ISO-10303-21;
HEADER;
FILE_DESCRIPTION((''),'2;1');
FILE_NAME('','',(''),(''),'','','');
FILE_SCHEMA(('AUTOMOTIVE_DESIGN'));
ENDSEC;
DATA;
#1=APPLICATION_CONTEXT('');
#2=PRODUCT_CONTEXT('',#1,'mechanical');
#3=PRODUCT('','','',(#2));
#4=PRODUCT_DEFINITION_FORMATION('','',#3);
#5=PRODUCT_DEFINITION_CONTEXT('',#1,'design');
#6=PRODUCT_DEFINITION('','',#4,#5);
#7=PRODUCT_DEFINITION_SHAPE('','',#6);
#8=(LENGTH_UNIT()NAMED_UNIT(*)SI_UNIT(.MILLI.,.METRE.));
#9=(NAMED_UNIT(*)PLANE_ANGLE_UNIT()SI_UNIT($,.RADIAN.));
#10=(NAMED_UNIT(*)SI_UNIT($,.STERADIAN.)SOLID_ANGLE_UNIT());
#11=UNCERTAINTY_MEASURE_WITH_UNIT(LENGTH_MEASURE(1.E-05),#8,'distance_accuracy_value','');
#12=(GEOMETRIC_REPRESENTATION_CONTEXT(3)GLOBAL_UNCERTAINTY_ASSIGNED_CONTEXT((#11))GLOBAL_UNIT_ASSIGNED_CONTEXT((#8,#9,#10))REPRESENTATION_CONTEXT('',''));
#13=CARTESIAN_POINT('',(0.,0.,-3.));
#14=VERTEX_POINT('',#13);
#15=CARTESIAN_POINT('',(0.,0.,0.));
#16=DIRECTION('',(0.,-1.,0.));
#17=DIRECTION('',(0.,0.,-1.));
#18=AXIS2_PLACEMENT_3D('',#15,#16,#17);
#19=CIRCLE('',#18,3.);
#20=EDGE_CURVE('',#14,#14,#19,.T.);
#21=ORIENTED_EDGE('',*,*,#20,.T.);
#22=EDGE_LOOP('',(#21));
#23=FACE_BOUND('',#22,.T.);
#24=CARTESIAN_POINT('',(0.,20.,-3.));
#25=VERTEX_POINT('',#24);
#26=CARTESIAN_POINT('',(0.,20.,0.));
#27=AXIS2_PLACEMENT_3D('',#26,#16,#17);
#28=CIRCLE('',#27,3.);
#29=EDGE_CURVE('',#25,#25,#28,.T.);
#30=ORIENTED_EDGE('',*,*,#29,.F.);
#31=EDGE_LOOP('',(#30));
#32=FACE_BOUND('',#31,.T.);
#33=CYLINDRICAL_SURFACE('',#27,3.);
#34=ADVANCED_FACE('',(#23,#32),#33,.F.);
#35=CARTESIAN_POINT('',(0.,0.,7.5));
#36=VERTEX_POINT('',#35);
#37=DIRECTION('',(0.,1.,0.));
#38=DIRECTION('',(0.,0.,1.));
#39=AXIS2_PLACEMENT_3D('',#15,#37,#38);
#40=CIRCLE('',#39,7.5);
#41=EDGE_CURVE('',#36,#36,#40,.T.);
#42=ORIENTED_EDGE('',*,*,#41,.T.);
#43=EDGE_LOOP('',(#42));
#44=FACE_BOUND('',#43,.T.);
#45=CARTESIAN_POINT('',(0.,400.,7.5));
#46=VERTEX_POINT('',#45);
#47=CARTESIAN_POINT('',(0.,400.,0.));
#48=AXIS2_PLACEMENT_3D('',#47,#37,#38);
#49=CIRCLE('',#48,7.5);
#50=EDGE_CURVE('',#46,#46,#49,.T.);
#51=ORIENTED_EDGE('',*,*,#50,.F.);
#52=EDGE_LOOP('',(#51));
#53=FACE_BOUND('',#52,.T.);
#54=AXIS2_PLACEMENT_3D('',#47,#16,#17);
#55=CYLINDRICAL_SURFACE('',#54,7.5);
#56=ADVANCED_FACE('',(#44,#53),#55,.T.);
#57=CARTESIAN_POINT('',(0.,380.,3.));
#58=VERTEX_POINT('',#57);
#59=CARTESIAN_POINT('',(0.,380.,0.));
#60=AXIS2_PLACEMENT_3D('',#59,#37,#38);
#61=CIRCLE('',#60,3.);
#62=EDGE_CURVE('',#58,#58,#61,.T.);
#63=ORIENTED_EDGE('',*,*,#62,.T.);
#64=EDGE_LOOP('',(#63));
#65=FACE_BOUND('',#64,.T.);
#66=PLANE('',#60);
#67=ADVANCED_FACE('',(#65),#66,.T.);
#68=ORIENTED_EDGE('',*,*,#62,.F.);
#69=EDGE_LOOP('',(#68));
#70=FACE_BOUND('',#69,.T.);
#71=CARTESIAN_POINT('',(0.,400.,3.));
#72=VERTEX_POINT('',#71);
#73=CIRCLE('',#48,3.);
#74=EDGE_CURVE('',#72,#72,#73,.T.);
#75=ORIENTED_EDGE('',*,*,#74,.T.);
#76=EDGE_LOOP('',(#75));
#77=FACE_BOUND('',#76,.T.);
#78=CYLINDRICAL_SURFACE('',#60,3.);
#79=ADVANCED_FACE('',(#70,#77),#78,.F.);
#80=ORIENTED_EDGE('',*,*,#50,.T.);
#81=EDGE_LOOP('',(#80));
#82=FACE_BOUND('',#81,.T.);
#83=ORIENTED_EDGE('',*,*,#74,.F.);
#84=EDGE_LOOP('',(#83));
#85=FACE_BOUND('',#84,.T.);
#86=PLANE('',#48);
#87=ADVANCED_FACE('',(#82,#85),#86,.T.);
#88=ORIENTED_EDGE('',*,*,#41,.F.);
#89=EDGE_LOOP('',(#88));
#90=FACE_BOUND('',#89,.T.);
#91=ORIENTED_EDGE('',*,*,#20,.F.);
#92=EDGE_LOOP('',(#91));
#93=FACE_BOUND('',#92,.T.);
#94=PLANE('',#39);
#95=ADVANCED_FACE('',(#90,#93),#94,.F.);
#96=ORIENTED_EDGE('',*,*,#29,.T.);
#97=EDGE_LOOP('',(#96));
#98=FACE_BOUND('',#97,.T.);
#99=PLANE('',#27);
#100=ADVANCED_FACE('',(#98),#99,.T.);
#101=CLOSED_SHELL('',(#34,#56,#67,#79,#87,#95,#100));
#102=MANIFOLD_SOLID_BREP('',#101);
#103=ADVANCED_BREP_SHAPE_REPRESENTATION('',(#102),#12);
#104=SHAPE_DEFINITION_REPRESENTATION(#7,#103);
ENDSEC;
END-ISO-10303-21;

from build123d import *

# Parameters (mm, degrees)
SKETCH_1_R          = 7.5
EXTRUDE_1_DEPTH     = 400
SKETCH_2_R          = 3
CUT_EXTRUDE_1_DEPTH = 20
CUT_EXTRUDE_START   = -20
SKETCH_3_R          = 3
CUT_EXTRUDE_2_DEPTH = 20


with BuildPart() as part:
    # 草图1 → 凸台-拉伸1 (new body)
    with BuildSketch(Plane(origin=(0, 0, 0), x_dir=(1, 0, 0), z_dir=(0, 1, 0))):
        with Locations(Location((0, 0, 0), (0, 0, 270))):
            Circle(SKETCH_1_R)
    extrude(amount=EXTRUDE_1_DEPTH)

    # 草图2 → 切除-拉伸1 (cut)
    with BuildSketch(Plane(origin=(0, 400, 0), x_dir=(1, 0, 0), z_dir=(0, 1, 0))):
        with Locations(Location((0, 0, 0), (0, 0, 270))):
            Circle(SKETCH_2_R)
    extrude(amount=-CUT_EXTRUDE_1_DEPTH, mode=Mode.SUBTRACT)

    # 草图3 → 切除-拉伸2 (cut)
    with BuildSketch(Plane(origin=(0, 0, 0), x_dir=(-1, 0, 0), z_dir=(0, -1, 0)).offset(CUT_EXTRUDE_START)):
        with Locations(Location((0, 0, 0), (0, 0, 270))):
            Circle(SKETCH_3_R)
    extrude(amount=CUT_EXTRUDE_2_DEPTH, mode=Mode.SUBTRACT)


solid = part.part
